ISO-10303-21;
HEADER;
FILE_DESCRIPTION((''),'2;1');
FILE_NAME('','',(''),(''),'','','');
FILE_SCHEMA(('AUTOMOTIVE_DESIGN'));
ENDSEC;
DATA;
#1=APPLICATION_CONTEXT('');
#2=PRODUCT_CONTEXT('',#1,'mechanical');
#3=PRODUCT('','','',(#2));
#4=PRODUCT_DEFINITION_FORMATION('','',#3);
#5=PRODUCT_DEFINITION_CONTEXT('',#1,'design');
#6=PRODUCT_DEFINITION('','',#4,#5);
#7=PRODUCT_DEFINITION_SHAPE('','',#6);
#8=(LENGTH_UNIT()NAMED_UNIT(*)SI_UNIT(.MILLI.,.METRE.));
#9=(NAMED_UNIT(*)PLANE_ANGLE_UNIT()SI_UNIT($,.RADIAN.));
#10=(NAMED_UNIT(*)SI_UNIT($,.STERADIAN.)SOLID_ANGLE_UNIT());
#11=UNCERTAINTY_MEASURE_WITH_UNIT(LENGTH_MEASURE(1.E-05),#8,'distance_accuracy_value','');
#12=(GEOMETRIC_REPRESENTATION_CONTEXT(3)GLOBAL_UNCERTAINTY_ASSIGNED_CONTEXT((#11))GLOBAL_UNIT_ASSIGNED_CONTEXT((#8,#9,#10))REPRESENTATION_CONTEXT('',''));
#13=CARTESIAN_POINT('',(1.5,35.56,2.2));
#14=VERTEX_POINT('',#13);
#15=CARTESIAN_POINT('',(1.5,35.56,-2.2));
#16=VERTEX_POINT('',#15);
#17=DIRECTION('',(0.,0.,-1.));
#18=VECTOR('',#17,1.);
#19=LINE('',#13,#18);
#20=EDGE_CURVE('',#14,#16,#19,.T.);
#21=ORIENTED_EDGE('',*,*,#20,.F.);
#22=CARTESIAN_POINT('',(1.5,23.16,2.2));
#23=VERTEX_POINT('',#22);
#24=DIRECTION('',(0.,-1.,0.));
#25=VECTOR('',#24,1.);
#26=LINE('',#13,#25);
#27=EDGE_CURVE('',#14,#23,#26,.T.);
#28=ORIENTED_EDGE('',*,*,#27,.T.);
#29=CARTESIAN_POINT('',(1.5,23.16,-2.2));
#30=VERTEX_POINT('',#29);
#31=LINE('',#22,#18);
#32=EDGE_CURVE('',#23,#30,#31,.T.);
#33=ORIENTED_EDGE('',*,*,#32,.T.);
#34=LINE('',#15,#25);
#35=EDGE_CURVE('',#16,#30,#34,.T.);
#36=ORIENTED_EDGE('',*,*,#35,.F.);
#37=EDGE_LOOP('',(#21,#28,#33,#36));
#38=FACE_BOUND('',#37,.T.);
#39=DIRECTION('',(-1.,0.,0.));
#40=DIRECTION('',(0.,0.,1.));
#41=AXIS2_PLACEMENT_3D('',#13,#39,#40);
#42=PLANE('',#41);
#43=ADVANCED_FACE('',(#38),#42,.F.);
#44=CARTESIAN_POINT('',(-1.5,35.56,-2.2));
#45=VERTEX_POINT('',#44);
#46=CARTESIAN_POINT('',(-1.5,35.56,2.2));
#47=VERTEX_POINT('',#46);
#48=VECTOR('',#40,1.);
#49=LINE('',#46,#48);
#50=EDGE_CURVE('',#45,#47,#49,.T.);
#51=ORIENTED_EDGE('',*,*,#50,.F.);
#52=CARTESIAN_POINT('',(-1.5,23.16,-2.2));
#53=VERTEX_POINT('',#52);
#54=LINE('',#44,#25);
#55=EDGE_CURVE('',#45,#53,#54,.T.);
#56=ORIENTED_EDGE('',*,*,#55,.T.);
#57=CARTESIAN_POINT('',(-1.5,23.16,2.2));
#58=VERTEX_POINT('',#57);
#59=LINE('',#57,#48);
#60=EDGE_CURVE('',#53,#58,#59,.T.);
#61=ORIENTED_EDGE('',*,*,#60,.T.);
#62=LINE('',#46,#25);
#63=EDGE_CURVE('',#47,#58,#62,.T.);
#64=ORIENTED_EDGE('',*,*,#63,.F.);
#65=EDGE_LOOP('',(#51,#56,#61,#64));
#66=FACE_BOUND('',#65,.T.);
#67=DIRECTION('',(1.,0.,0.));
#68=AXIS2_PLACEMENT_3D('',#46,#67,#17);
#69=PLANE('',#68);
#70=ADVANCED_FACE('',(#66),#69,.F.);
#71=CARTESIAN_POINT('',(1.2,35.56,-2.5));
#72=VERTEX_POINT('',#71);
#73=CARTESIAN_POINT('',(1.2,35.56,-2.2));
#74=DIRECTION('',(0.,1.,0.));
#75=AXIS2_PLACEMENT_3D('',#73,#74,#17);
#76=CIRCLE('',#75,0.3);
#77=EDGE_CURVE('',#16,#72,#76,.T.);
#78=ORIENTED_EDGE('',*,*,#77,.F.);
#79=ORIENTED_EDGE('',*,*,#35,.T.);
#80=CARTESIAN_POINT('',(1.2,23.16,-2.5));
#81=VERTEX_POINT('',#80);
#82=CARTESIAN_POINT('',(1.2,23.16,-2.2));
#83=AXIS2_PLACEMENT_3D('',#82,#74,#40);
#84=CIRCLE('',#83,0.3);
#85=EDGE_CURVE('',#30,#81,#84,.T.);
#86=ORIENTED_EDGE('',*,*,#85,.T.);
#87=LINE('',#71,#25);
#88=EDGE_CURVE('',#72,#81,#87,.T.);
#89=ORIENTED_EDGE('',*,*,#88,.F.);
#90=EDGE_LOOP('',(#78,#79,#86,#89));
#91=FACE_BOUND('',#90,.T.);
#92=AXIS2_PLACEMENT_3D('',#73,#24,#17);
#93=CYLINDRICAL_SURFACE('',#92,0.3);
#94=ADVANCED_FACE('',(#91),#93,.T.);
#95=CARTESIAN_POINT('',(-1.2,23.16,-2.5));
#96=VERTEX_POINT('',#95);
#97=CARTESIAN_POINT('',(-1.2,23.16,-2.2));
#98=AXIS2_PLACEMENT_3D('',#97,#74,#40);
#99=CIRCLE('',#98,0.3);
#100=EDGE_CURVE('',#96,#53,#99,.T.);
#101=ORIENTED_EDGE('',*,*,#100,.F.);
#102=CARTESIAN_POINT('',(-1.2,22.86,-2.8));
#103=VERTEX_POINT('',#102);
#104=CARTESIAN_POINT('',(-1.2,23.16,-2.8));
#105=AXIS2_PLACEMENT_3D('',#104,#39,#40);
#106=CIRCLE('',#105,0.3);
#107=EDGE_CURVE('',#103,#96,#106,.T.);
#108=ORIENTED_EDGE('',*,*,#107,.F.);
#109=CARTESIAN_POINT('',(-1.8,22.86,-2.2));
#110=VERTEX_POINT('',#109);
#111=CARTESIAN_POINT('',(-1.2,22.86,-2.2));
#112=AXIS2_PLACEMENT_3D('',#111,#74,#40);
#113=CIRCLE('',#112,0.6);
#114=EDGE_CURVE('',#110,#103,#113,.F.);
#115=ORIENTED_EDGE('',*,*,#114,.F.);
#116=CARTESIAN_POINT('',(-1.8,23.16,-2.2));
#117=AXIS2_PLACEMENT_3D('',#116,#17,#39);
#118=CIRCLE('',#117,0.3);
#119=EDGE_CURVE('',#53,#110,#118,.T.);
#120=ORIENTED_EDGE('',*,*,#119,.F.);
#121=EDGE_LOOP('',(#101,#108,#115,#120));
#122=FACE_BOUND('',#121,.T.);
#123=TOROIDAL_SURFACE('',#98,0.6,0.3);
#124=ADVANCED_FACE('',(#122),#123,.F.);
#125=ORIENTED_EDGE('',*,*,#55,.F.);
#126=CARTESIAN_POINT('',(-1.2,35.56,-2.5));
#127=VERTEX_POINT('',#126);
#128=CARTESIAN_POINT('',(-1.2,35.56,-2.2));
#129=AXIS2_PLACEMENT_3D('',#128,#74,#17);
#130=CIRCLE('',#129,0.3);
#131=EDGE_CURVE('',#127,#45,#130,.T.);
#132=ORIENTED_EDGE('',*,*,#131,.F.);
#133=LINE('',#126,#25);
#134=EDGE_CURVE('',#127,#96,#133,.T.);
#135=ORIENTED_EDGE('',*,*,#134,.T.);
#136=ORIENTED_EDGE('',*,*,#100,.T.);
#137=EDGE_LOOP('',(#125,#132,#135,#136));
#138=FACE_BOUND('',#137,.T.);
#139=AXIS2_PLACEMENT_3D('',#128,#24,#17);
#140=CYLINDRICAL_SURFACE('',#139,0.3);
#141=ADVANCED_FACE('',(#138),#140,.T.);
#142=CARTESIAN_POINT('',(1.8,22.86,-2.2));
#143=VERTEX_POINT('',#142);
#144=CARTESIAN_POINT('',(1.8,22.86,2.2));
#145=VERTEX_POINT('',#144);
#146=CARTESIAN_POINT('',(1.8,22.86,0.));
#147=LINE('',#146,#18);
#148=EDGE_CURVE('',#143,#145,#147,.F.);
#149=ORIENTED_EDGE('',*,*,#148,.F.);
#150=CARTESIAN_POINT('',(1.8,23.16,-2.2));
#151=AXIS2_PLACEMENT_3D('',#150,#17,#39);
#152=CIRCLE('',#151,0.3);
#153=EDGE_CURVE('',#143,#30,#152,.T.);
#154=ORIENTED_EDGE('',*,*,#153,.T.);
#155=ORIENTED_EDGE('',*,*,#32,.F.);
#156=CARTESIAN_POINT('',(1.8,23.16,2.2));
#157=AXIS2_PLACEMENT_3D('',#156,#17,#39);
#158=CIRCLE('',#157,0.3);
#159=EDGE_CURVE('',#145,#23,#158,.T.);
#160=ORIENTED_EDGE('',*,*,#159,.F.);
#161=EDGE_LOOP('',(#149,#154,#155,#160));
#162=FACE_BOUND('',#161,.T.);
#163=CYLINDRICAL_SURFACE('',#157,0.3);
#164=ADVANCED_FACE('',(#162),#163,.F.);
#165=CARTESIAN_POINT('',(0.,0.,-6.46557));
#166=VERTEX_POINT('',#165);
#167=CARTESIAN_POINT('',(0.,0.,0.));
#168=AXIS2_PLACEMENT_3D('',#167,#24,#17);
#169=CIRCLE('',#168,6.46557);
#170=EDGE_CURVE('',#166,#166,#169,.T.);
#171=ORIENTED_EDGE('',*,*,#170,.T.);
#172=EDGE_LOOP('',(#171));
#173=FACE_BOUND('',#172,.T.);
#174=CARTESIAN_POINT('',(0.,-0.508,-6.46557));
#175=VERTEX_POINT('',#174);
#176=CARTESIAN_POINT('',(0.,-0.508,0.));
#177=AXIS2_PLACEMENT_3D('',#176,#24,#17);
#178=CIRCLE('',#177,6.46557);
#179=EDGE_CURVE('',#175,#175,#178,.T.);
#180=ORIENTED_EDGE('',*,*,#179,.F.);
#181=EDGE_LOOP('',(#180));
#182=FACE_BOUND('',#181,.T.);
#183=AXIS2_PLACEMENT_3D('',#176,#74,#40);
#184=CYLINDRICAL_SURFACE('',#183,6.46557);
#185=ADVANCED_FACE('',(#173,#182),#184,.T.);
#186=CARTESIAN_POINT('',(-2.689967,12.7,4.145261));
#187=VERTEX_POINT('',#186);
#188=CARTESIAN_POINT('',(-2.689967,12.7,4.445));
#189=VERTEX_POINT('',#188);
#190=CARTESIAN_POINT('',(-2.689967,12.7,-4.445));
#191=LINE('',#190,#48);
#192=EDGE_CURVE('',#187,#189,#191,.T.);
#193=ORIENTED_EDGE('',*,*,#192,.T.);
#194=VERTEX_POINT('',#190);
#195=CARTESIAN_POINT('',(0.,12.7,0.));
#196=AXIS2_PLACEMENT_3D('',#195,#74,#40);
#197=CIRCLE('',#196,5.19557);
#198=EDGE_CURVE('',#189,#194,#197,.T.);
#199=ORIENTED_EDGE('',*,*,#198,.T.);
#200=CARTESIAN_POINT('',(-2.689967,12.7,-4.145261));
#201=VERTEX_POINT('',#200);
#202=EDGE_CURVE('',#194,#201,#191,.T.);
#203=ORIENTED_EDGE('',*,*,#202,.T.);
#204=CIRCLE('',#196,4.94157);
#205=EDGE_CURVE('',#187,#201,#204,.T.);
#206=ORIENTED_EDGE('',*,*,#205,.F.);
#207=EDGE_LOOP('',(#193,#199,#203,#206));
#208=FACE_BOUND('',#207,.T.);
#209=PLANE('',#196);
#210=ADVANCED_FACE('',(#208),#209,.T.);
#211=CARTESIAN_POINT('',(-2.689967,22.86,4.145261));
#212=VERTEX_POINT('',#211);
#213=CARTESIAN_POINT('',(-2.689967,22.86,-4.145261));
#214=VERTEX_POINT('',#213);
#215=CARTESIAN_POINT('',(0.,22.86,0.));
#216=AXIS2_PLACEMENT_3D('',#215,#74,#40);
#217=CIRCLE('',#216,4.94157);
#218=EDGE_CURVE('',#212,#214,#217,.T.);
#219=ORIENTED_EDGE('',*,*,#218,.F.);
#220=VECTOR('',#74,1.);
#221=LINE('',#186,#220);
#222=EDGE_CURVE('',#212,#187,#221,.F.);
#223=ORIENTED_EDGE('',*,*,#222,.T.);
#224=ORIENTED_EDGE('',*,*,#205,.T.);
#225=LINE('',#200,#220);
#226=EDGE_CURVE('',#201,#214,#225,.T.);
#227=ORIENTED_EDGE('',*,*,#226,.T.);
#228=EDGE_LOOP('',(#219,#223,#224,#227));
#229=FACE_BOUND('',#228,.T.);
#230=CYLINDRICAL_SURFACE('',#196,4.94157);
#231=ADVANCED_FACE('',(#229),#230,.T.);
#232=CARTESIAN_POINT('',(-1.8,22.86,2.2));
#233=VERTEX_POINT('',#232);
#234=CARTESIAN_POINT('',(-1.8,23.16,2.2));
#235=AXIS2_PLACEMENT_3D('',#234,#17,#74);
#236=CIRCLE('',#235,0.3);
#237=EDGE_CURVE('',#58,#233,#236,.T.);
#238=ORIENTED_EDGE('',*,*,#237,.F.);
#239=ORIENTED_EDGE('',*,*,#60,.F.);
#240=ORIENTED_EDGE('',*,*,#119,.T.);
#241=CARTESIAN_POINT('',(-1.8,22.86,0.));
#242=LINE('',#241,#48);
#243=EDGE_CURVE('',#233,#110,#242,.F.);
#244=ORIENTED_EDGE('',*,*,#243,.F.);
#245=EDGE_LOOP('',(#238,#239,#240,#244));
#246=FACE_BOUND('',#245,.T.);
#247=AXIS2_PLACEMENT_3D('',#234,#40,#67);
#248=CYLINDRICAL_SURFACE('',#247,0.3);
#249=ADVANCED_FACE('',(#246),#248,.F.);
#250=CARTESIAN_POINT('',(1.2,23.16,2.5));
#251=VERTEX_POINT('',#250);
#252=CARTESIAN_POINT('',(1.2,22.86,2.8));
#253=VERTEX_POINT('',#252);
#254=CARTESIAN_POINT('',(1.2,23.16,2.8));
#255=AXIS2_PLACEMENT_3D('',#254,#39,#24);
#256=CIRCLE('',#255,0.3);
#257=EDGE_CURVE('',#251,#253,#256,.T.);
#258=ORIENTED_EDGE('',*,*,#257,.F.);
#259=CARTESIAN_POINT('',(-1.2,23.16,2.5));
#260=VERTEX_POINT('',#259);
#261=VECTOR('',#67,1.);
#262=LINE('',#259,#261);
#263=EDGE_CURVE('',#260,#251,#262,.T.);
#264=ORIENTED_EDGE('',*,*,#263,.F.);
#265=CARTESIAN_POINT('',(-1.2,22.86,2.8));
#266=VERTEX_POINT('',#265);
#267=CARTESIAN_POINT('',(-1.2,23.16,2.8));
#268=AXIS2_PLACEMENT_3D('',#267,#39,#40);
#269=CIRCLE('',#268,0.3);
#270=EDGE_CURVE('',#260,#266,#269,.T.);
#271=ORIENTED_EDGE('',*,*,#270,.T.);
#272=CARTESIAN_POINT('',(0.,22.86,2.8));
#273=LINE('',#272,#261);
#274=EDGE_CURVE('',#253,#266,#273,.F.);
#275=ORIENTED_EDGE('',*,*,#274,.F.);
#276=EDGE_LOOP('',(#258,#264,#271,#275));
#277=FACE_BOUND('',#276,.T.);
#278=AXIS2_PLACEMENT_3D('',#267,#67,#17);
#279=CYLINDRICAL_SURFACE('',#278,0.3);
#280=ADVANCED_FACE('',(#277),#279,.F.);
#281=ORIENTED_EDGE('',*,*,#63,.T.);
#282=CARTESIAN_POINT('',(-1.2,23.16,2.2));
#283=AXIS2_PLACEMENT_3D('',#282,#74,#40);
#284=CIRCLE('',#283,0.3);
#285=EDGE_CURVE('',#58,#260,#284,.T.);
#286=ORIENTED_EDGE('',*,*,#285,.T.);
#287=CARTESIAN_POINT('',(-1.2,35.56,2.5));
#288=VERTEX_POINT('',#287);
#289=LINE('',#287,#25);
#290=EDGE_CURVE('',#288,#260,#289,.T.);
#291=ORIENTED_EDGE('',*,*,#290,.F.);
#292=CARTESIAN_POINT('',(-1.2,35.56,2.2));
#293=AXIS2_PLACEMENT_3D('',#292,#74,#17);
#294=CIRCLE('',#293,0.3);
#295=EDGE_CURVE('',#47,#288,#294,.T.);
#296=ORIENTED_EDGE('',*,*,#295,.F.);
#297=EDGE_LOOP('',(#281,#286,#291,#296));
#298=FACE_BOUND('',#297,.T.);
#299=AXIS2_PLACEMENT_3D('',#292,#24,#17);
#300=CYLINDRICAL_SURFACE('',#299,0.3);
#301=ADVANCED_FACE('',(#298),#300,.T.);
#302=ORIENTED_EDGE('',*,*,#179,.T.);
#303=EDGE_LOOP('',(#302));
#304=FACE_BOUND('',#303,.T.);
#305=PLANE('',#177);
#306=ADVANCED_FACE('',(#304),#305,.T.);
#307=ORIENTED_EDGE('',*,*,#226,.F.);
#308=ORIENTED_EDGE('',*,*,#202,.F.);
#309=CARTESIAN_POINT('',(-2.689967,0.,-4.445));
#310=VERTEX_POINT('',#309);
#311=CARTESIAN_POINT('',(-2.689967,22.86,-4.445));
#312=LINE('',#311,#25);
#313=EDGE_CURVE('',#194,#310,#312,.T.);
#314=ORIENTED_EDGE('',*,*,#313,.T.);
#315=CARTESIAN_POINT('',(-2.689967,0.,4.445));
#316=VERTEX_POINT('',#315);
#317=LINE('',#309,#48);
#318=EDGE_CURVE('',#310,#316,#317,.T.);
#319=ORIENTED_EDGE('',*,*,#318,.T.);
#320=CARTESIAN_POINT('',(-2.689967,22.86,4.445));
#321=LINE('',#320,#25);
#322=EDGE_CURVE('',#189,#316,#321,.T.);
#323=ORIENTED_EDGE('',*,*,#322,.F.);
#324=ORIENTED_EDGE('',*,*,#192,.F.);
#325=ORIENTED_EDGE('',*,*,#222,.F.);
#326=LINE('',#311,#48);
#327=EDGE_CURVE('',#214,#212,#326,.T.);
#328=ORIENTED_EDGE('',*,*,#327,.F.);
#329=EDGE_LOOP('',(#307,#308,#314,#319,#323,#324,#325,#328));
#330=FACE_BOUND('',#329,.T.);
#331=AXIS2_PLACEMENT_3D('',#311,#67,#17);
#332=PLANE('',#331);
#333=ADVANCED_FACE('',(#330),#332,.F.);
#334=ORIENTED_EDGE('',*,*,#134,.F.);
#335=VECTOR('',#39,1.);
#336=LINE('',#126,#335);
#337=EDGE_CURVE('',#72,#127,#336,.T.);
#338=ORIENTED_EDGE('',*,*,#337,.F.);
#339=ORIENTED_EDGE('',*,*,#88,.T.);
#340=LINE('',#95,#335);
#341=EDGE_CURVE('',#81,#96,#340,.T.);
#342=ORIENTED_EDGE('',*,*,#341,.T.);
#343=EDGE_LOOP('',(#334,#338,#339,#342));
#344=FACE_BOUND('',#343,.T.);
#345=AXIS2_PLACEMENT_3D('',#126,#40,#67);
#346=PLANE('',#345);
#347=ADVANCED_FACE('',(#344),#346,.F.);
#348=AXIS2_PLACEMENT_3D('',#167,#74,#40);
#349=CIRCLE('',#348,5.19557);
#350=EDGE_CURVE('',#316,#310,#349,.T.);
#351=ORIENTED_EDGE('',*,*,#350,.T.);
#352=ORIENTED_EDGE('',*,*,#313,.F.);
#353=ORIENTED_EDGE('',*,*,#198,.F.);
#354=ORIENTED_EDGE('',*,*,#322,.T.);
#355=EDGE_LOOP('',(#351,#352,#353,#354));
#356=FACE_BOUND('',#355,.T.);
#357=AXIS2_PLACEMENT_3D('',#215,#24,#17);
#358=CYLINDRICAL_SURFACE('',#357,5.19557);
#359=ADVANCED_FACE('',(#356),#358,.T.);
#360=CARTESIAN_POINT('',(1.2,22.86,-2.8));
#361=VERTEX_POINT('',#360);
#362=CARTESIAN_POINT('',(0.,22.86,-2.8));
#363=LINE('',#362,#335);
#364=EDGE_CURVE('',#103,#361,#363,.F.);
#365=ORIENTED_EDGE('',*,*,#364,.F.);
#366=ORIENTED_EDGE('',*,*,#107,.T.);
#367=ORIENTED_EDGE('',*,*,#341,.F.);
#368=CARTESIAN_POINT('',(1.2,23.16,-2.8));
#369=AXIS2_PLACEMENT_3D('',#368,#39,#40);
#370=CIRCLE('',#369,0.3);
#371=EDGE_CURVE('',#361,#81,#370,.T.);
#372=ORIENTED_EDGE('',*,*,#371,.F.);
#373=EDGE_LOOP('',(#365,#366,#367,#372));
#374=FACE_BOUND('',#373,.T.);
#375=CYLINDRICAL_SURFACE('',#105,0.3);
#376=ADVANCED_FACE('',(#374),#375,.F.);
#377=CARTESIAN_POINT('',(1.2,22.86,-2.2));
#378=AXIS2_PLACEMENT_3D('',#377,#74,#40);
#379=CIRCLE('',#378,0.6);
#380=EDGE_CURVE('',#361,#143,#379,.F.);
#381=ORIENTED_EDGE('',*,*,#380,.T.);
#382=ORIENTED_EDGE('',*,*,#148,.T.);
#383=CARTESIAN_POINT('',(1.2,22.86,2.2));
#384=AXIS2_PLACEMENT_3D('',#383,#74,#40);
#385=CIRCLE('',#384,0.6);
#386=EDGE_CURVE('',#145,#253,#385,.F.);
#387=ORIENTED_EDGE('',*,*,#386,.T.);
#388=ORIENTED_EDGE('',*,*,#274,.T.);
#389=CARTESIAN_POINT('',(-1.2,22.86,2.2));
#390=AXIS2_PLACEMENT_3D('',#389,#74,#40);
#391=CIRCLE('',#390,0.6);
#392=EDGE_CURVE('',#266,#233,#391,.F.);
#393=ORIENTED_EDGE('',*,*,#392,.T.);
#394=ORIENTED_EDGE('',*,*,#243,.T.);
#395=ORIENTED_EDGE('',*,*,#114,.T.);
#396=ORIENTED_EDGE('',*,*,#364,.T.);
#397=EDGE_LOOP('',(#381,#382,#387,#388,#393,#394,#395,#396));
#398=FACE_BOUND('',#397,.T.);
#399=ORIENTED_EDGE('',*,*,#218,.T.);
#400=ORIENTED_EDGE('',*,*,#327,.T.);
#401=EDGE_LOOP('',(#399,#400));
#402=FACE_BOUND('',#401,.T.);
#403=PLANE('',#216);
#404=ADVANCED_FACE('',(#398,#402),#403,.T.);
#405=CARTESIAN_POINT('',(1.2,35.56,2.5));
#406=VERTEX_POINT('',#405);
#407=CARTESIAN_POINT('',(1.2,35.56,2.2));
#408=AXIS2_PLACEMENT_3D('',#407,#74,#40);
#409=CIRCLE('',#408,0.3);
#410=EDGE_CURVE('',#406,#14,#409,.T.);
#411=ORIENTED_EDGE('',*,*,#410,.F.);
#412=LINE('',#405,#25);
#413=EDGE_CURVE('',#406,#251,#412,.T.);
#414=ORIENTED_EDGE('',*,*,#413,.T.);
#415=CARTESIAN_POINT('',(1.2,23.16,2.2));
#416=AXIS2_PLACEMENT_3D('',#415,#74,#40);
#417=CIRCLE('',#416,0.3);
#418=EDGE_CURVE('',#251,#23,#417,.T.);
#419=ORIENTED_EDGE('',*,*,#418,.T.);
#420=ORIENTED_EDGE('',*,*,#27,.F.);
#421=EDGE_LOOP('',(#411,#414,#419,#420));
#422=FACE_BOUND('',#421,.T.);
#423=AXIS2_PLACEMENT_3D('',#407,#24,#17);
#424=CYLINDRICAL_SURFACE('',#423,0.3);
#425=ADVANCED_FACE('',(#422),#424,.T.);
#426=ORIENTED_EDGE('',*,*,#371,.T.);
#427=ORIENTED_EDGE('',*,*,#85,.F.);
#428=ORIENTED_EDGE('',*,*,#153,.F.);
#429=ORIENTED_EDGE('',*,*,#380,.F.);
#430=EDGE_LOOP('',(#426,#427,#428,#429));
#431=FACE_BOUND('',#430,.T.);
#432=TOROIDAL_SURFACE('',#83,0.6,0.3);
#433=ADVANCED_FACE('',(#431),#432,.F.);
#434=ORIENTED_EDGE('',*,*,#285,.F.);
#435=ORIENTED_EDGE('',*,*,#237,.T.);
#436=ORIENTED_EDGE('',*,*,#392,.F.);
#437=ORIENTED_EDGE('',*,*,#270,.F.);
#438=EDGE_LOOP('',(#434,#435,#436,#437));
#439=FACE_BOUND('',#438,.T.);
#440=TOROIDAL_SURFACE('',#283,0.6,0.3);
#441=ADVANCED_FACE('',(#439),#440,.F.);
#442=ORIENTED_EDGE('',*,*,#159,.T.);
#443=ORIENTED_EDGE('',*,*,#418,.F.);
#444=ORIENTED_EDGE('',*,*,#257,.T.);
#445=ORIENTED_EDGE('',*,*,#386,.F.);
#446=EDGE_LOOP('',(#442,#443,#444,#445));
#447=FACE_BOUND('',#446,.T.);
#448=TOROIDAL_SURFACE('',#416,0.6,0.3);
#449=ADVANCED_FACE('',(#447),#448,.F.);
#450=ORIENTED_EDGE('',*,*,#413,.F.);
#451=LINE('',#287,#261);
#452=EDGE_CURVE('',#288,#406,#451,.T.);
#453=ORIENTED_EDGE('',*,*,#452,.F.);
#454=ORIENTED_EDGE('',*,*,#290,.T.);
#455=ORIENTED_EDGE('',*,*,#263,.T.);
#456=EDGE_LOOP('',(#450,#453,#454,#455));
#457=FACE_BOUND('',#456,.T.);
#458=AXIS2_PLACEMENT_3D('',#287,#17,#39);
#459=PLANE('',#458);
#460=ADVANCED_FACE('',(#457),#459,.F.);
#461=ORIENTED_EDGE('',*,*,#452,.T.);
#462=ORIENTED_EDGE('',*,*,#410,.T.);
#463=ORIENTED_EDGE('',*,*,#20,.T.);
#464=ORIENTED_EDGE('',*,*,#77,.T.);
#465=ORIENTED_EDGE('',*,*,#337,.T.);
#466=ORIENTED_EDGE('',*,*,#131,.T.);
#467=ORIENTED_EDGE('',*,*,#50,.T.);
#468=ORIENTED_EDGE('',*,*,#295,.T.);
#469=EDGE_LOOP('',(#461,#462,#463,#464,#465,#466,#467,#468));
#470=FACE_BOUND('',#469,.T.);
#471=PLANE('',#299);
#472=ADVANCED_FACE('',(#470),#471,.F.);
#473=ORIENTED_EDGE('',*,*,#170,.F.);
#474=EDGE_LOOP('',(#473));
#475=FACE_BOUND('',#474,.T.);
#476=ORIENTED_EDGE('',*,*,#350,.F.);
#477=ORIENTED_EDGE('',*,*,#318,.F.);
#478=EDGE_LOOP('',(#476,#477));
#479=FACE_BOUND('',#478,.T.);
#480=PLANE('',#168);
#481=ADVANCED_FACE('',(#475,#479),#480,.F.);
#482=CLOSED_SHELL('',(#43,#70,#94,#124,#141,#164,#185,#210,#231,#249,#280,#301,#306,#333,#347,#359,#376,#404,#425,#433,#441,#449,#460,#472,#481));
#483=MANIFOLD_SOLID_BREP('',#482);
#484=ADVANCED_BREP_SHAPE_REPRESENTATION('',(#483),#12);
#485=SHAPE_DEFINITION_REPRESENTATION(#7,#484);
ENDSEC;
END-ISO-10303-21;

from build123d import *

# Parameters (mm, degrees)
BOSS_EXTRUDE1_DEPTH = 22.86
BOSS_EXTRUDE2_DEPTH = 12.7
FILLET1_R           = 0.3
SKETCH3_R           = 6.46557
BOSS_EXTRUDE3_DEPTH = 0.508
SKETCH4_OUTSIDE_W   = 23.02
SKETCH4_OUTSIDE_H   = 23.02
SKETCH4_OUTSIDE_R   = 4.94157
CUT_EXTRUDE1_DEPTH  = 10.16


with BuildPart() as part:
    # Sketch1 → Boss-Extrude1 (new body)
    with BuildSketch(Plane(origin=(0, 0, 0), x_dir=(1, 0, 0), z_dir=(0, 1, 0))):
        with BuildLine():
            Line((-2.68996703, 4.445), (-2.68996703, -4.445))
            ThreePointArc((-2.68996703, -4.445), (5.19557, 0), (-2.68996703, 4.445))
        make_face()
    extrude(amount=BOSS_EXTRUDE1_DEPTH)

    # Sketch2 → Boss-Extrude2 (add)
    with BuildSketch(Plane(origin=(0, 22.86, 0), x_dir=(1, 0, 0), z_dir=(0, 1, 0))):
        with BuildLine():
            Line((-1.2, -2.5), (1.2, -2.5))
            ThreePointArc((1.2, -2.5), (1.412132034, -2.412132034), (1.5, -2.2))
            Line((1.5, -2.2), (1.5, 2.2))
            ThreePointArc((1.5, 2.2), (1.412132034, 2.412132034), (1.2, 2.5))
            Line((1.2, 2.5), (-1.2, 2.5))
            ThreePointArc((-1.2, 2.5), (-1.412132034, 2.412132034), (-1.5, 2.2))
            Line((-1.5, 2.2), (-1.5, -2.2))
            ThreePointArc((-1.5, -2.2), (-1.412132034, -2.412132034), (-1.2, -2.5))
        make_face()
    extrude(amount=BOSS_EXTRUDE2_DEPTH)

    # Fillet1
    fillet1_edges = [part.edges().sort_by_distance(p)[0] for p in [
        (-1.412132034, 22.86, 2.412132034),
        (0, 22.86, 2.5),
        (1.412132034, 22.86, 2.412132034),
        (1.5, 22.86, 0),
        (1.412132034, 22.86, -2.412132034),
        (0, 22.86, -2.5),
        (-1.412132034, 22.86, -2.412132034),
        (-1.5, 22.86, 0),
    ]]
    fillet(fillet1_edges, radius=FILLET1_R)

    # Sketch3 → Boss-Extrude3 (add)
    with BuildSketch(Plane.XZ):
        Circle(SKETCH3_R)
    extrude(amount=BOSS_EXTRUDE3_DEPTH)

    # Sketch4 outside → Cut-Extrude1 (cut)
    with BuildSketch(Plane(origin=(0, 22.86, 0), x_dir=(1, 0, 0), z_dir=(0, 1, 0))):
        Rectangle(SKETCH4_OUTSIDE_W, SKETCH4_OUTSIDE_H)
        Circle(SKETCH4_OUTSIDE_R, mode=Mode.SUBTRACT)
    extrude(amount=-CUT_EXTRUDE1_DEPTH, mode=Mode.SUBTRACT)


solid = part.part
